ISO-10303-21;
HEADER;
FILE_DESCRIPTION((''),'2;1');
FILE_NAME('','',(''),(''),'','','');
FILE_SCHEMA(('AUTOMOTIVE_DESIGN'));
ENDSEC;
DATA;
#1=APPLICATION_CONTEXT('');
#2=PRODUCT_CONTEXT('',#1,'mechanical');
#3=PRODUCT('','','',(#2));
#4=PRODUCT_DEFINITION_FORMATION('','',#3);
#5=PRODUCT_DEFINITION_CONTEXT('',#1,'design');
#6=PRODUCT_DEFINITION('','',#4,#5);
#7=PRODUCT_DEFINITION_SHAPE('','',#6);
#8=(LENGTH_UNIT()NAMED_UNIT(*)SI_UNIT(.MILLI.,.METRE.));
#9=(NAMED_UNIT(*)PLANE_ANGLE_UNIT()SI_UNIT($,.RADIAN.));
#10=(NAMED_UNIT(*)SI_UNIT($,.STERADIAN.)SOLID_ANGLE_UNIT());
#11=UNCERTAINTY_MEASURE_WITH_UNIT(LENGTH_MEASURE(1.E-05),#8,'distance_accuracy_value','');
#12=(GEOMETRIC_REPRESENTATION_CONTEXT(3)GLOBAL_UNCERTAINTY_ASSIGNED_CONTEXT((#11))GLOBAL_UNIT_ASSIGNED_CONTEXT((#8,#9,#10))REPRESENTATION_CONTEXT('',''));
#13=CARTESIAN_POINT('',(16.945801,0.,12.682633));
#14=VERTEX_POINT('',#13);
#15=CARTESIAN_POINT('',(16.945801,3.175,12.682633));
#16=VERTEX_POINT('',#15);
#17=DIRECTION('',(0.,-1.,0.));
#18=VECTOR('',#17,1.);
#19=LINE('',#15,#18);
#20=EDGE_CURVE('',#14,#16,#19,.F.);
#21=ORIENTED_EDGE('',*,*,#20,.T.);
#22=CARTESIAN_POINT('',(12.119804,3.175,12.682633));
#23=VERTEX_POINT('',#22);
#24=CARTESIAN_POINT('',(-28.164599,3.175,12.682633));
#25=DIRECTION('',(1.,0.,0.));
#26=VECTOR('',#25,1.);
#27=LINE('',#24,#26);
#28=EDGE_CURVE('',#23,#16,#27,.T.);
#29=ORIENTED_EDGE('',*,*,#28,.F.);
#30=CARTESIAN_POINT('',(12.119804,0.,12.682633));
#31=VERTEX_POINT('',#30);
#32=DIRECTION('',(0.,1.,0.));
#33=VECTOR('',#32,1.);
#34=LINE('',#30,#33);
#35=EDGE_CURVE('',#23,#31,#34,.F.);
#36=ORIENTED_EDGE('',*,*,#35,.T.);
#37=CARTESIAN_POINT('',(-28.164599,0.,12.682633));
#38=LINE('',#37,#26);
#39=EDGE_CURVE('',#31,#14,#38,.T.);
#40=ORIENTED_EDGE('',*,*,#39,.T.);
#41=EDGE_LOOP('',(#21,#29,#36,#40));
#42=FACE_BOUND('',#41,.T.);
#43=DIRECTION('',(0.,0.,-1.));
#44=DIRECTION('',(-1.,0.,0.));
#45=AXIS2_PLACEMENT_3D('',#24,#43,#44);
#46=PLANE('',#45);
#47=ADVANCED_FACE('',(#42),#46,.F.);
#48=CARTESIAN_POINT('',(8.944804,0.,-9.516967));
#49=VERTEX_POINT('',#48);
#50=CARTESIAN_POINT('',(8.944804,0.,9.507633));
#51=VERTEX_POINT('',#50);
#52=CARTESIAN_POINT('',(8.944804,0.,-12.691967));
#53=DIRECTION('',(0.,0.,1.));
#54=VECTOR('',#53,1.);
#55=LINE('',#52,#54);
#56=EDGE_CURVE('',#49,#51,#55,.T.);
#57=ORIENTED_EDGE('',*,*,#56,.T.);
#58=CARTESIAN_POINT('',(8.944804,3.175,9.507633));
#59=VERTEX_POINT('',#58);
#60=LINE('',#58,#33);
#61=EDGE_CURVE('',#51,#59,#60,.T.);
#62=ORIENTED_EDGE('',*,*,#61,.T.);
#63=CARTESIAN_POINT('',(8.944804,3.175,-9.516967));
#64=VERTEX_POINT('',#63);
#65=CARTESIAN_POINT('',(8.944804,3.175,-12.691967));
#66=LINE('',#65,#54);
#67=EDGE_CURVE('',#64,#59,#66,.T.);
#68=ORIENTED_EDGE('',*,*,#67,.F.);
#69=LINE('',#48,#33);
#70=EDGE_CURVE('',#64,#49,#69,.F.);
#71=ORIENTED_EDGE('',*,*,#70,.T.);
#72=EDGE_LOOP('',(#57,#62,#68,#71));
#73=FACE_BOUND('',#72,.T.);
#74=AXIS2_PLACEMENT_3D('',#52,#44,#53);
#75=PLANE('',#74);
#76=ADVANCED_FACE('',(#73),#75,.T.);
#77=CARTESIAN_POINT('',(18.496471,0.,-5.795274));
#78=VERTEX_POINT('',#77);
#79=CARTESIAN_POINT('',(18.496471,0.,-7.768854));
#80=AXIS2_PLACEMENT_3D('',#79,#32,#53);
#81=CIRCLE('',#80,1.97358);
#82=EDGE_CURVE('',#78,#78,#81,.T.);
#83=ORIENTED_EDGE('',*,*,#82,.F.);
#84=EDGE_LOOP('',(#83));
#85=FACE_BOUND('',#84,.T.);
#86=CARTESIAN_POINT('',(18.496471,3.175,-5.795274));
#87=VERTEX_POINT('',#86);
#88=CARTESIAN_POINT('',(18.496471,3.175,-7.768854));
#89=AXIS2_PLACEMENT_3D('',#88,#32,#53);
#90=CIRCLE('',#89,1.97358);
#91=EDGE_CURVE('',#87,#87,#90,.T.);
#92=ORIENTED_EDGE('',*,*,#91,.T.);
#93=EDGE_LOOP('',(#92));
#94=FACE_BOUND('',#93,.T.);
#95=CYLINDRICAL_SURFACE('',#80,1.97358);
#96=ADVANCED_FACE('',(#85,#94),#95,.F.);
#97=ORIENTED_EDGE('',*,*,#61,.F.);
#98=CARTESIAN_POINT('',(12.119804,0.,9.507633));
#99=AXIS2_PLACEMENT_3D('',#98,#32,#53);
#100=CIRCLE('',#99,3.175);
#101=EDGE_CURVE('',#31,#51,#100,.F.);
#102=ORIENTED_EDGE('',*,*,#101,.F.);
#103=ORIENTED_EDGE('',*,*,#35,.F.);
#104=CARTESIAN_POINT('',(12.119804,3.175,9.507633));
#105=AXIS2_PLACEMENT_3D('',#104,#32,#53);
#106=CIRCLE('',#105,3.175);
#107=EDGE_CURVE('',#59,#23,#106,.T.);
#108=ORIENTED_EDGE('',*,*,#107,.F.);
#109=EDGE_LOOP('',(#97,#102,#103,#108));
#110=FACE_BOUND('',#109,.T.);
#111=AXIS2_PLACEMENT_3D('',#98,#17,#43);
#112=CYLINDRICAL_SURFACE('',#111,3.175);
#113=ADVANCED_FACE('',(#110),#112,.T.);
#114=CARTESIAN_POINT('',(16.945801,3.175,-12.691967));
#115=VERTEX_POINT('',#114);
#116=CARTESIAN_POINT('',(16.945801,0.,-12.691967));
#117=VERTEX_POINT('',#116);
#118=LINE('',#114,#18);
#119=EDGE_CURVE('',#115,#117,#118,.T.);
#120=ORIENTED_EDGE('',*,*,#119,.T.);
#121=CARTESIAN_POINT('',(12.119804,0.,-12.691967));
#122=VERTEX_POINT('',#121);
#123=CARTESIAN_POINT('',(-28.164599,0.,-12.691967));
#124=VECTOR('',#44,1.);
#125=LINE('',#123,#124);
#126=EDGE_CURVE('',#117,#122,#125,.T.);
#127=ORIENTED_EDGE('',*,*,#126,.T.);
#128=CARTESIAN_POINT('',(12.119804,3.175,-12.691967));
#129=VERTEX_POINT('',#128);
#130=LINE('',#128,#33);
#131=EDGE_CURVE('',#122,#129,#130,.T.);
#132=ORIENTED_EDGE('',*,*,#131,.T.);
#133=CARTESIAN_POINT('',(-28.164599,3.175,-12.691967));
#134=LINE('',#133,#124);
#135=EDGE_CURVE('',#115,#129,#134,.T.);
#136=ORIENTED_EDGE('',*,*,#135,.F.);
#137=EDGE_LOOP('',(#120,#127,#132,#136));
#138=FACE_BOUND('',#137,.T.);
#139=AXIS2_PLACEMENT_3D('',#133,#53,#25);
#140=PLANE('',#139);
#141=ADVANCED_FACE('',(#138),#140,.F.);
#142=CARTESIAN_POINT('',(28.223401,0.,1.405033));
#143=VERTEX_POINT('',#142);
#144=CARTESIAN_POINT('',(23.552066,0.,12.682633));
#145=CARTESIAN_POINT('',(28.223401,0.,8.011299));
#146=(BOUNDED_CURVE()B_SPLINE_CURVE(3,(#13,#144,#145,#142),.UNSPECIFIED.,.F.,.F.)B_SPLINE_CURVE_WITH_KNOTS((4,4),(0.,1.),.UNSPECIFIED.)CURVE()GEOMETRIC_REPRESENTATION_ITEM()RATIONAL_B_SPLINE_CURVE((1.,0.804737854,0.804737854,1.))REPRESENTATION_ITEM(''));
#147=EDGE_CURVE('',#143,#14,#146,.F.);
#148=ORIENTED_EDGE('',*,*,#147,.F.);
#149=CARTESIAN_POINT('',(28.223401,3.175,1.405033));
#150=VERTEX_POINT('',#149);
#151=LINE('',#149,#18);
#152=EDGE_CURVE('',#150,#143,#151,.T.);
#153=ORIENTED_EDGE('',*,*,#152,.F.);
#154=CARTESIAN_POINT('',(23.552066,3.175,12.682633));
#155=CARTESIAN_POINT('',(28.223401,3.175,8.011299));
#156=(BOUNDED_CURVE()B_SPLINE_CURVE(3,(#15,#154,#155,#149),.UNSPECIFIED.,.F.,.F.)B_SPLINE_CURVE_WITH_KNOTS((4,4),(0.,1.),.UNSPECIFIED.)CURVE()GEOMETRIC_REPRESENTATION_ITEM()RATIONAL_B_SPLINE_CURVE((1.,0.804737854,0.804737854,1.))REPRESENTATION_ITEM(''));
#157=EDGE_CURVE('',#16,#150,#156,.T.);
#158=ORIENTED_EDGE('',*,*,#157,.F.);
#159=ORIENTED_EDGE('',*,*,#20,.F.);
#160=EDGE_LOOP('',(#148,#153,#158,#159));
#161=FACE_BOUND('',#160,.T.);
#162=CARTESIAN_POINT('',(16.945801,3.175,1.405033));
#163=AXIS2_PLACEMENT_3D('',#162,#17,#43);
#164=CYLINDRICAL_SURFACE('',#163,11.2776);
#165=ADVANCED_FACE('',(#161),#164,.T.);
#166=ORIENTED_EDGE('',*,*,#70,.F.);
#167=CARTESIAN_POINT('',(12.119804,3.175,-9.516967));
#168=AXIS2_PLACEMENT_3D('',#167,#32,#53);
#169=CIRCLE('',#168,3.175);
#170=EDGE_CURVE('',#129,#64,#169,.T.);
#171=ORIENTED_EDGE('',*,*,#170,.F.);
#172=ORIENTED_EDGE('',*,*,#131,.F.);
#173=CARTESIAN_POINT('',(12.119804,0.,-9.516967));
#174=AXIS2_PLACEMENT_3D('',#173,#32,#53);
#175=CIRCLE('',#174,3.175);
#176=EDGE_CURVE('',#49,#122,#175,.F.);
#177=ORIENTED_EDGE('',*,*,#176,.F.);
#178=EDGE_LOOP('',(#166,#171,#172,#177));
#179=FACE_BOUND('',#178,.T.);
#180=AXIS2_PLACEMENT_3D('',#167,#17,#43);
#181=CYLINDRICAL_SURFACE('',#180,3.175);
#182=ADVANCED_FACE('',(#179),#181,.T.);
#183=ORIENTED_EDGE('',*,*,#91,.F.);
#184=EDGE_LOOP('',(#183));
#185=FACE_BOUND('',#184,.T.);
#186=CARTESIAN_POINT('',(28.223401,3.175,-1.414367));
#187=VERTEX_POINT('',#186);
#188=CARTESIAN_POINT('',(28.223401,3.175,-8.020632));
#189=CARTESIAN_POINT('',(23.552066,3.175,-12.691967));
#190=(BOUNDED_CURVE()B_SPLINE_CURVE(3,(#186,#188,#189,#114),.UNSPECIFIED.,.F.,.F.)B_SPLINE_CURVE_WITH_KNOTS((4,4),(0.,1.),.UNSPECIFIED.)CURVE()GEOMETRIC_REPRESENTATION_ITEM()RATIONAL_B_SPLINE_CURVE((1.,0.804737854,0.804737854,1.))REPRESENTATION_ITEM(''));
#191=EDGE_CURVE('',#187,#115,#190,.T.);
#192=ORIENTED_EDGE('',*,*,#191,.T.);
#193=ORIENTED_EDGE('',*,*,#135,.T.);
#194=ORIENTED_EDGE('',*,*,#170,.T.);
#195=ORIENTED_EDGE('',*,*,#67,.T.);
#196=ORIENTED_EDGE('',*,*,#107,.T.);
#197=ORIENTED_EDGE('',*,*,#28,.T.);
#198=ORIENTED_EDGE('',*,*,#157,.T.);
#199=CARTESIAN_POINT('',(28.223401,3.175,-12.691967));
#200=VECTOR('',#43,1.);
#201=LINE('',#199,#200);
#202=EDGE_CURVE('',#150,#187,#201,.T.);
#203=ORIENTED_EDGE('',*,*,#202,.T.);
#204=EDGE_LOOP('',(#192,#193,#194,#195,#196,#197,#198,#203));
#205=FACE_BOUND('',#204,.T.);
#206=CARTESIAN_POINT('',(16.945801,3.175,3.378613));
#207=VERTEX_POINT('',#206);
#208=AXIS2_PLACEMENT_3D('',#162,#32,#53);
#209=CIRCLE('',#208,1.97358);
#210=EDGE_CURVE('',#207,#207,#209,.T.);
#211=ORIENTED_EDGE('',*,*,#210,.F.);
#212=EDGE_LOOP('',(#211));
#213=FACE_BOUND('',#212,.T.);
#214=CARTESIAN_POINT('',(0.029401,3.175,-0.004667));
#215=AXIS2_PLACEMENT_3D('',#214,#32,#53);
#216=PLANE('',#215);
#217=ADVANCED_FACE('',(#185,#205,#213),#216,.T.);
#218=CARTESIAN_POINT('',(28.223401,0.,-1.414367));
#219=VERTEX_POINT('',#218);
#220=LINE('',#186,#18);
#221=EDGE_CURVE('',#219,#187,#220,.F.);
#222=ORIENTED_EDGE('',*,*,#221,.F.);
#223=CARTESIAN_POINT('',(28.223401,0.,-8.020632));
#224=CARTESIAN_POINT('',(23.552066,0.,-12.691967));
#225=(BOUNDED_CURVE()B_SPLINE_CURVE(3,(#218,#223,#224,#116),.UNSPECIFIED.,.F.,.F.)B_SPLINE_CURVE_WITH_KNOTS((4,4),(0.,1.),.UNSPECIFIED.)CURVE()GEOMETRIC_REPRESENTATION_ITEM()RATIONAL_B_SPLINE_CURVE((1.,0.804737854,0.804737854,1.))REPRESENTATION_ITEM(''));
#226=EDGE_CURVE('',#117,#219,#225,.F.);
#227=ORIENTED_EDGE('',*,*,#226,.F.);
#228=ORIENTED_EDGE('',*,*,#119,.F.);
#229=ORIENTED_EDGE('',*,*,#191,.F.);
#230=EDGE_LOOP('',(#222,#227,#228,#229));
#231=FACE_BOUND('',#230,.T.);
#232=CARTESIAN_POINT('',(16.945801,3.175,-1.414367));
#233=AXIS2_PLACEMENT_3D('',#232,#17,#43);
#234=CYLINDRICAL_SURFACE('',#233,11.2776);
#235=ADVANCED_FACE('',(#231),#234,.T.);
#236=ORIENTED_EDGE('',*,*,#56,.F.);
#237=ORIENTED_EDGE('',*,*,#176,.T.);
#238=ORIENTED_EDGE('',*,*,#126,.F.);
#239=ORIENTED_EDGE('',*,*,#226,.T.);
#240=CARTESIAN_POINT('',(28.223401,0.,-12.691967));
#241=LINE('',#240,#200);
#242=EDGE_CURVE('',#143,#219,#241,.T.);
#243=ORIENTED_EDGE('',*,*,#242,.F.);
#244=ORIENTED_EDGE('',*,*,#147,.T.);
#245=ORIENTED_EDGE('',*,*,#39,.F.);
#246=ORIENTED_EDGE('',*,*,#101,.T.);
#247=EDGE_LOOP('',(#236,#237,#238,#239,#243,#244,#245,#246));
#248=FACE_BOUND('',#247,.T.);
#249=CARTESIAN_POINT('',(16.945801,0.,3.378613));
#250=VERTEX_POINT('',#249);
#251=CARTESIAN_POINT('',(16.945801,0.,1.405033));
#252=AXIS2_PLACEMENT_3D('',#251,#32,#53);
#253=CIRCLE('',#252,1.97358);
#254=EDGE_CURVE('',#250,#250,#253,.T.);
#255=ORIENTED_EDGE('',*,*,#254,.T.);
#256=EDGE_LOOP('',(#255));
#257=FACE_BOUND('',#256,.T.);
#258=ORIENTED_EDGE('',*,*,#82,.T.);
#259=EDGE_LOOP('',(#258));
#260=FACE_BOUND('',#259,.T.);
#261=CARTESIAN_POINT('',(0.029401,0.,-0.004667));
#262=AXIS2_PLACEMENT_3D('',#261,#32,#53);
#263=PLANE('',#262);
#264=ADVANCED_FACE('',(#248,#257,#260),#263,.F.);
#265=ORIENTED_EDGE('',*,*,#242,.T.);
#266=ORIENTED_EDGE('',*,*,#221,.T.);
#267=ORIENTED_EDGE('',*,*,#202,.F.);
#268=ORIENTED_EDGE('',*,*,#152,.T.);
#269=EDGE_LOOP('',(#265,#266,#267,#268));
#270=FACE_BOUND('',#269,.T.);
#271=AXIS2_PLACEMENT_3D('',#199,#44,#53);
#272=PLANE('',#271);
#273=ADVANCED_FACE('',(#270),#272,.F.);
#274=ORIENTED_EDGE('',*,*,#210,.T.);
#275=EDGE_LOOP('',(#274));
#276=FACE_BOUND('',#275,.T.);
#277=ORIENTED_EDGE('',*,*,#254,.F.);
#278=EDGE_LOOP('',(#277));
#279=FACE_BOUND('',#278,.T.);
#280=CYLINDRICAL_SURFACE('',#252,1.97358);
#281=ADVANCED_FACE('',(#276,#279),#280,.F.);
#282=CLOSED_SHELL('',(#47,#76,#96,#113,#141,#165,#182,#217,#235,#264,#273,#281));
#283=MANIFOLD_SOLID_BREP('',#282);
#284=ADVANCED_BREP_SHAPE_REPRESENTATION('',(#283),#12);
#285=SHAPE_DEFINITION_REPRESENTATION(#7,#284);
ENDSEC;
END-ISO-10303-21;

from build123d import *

# Parameters (mm, degrees)
SKETCH1_W           = 50.8
SKETCH1_H           = 22.86
BOSS_EXTRUDE1_DEPTH = 3.175
FILLET1_R           = 10.16
SKETCH3_R           = 1.778
CUT_EXTRUDE1_DEPTH  = 29.033649869
FILLET3_R           = 10.16
SCALE1_SCALE_X      = 1.11
SCALE1_SCALE_Y      = 1
SCALE1_SCALE_Z      = 1.11
SKETCH4_W           = 37.109402391
SKETCH4_H           = 25.3746
CUT_EXTRUDE2_DEPTH  = 32.108311229
FILLET4_R           = 3.175


with BuildPart() as part:
    # Sketch1 → Boss-Extrude1 (new body)
    with BuildSketch(Plane(origin=(0, 0, 0), x_dir=(1, 0, 0), z_dir=(0, 1, 0))):
        Rectangle(SKETCH1_W, SKETCH1_H)
    extrude(amount=BOSS_EXTRUDE1_DEPTH)

    # Fillet1
    fillet1_edges = [part.edges().sort_by_distance(p)[0] for p in [
        (25.4, 1.5875, 11.43),
        (-25.4, 1.5875, 11.43),
    ]]
    fillet(fillet1_edges, radius=FILLET1_R)

    # Sketch3 → Cut-Extrude1 (cut, through all)
    with BuildSketch(Plane(origin=(0, 3.175, 0), x_dir=(1, 0, 0), z_dir=(0, 1, 0))):
        with Locations(Location((15.24, -1.27, 0), (0, 0, 270))):
            Circle(SKETCH3_R)
        with Locations(Location((16.637, 6.994763457, 0), (0, 0, 270))):
            Circle(SKETCH3_R)
        with Locations(Location((-3.81, -1.27, 0), (0, 0, 270))):
            Circle(SKETCH3_R)
    extrude(amount=-CUT_EXTRUDE1_DEPTH, mode=Mode.SUBTRACT)

    # Fillet3
    fillet3_edges = [part.edges().sort_by_distance(p)[0] for p in [
        (-25.4, 1.5875, -11.43),
        (25.4, 1.5875, -11.43),
    ]]
    fillet(fillet3_edges, radius=FILLET3_R)


with BuildPart() as part_1:
    # Scale1: scaled about (-0.267284258, 1.5875, 0.042423064)
    add(part.part.scale((SCALE1_SCALE_X, SCALE1_SCALE_Y, SCALE1_SCALE_Z), about=(-0.267284258, 1.5875, 0.042423064)))

    # Sketch4 → Cut-Extrude2 (cut, through all)
    with BuildSketch(Plane(origin=(0, 3.175, 0), x_dir=(1, 0, 0), z_dir=(0, 1, 0))):
        with Locations((-9.609897537, 0.004666537)):
            Rectangle(SKETCH4_W, SKETCH4_H)
    extrude(amount=-CUT_EXTRUDE2_DEPTH, mode=Mode.SUBTRACT)

    # Fillet4
    fillet4_edges = [part_1.edges().sort_by_distance(p)[0] for p in [
        (8.944803659, 1.5875, 12.682633463),
        (8.944803659, 1.5875, -12.691966537),
    ]]
    fillet(fillet4_edges, radius=FILLET4_R)


solid = part_1.part
